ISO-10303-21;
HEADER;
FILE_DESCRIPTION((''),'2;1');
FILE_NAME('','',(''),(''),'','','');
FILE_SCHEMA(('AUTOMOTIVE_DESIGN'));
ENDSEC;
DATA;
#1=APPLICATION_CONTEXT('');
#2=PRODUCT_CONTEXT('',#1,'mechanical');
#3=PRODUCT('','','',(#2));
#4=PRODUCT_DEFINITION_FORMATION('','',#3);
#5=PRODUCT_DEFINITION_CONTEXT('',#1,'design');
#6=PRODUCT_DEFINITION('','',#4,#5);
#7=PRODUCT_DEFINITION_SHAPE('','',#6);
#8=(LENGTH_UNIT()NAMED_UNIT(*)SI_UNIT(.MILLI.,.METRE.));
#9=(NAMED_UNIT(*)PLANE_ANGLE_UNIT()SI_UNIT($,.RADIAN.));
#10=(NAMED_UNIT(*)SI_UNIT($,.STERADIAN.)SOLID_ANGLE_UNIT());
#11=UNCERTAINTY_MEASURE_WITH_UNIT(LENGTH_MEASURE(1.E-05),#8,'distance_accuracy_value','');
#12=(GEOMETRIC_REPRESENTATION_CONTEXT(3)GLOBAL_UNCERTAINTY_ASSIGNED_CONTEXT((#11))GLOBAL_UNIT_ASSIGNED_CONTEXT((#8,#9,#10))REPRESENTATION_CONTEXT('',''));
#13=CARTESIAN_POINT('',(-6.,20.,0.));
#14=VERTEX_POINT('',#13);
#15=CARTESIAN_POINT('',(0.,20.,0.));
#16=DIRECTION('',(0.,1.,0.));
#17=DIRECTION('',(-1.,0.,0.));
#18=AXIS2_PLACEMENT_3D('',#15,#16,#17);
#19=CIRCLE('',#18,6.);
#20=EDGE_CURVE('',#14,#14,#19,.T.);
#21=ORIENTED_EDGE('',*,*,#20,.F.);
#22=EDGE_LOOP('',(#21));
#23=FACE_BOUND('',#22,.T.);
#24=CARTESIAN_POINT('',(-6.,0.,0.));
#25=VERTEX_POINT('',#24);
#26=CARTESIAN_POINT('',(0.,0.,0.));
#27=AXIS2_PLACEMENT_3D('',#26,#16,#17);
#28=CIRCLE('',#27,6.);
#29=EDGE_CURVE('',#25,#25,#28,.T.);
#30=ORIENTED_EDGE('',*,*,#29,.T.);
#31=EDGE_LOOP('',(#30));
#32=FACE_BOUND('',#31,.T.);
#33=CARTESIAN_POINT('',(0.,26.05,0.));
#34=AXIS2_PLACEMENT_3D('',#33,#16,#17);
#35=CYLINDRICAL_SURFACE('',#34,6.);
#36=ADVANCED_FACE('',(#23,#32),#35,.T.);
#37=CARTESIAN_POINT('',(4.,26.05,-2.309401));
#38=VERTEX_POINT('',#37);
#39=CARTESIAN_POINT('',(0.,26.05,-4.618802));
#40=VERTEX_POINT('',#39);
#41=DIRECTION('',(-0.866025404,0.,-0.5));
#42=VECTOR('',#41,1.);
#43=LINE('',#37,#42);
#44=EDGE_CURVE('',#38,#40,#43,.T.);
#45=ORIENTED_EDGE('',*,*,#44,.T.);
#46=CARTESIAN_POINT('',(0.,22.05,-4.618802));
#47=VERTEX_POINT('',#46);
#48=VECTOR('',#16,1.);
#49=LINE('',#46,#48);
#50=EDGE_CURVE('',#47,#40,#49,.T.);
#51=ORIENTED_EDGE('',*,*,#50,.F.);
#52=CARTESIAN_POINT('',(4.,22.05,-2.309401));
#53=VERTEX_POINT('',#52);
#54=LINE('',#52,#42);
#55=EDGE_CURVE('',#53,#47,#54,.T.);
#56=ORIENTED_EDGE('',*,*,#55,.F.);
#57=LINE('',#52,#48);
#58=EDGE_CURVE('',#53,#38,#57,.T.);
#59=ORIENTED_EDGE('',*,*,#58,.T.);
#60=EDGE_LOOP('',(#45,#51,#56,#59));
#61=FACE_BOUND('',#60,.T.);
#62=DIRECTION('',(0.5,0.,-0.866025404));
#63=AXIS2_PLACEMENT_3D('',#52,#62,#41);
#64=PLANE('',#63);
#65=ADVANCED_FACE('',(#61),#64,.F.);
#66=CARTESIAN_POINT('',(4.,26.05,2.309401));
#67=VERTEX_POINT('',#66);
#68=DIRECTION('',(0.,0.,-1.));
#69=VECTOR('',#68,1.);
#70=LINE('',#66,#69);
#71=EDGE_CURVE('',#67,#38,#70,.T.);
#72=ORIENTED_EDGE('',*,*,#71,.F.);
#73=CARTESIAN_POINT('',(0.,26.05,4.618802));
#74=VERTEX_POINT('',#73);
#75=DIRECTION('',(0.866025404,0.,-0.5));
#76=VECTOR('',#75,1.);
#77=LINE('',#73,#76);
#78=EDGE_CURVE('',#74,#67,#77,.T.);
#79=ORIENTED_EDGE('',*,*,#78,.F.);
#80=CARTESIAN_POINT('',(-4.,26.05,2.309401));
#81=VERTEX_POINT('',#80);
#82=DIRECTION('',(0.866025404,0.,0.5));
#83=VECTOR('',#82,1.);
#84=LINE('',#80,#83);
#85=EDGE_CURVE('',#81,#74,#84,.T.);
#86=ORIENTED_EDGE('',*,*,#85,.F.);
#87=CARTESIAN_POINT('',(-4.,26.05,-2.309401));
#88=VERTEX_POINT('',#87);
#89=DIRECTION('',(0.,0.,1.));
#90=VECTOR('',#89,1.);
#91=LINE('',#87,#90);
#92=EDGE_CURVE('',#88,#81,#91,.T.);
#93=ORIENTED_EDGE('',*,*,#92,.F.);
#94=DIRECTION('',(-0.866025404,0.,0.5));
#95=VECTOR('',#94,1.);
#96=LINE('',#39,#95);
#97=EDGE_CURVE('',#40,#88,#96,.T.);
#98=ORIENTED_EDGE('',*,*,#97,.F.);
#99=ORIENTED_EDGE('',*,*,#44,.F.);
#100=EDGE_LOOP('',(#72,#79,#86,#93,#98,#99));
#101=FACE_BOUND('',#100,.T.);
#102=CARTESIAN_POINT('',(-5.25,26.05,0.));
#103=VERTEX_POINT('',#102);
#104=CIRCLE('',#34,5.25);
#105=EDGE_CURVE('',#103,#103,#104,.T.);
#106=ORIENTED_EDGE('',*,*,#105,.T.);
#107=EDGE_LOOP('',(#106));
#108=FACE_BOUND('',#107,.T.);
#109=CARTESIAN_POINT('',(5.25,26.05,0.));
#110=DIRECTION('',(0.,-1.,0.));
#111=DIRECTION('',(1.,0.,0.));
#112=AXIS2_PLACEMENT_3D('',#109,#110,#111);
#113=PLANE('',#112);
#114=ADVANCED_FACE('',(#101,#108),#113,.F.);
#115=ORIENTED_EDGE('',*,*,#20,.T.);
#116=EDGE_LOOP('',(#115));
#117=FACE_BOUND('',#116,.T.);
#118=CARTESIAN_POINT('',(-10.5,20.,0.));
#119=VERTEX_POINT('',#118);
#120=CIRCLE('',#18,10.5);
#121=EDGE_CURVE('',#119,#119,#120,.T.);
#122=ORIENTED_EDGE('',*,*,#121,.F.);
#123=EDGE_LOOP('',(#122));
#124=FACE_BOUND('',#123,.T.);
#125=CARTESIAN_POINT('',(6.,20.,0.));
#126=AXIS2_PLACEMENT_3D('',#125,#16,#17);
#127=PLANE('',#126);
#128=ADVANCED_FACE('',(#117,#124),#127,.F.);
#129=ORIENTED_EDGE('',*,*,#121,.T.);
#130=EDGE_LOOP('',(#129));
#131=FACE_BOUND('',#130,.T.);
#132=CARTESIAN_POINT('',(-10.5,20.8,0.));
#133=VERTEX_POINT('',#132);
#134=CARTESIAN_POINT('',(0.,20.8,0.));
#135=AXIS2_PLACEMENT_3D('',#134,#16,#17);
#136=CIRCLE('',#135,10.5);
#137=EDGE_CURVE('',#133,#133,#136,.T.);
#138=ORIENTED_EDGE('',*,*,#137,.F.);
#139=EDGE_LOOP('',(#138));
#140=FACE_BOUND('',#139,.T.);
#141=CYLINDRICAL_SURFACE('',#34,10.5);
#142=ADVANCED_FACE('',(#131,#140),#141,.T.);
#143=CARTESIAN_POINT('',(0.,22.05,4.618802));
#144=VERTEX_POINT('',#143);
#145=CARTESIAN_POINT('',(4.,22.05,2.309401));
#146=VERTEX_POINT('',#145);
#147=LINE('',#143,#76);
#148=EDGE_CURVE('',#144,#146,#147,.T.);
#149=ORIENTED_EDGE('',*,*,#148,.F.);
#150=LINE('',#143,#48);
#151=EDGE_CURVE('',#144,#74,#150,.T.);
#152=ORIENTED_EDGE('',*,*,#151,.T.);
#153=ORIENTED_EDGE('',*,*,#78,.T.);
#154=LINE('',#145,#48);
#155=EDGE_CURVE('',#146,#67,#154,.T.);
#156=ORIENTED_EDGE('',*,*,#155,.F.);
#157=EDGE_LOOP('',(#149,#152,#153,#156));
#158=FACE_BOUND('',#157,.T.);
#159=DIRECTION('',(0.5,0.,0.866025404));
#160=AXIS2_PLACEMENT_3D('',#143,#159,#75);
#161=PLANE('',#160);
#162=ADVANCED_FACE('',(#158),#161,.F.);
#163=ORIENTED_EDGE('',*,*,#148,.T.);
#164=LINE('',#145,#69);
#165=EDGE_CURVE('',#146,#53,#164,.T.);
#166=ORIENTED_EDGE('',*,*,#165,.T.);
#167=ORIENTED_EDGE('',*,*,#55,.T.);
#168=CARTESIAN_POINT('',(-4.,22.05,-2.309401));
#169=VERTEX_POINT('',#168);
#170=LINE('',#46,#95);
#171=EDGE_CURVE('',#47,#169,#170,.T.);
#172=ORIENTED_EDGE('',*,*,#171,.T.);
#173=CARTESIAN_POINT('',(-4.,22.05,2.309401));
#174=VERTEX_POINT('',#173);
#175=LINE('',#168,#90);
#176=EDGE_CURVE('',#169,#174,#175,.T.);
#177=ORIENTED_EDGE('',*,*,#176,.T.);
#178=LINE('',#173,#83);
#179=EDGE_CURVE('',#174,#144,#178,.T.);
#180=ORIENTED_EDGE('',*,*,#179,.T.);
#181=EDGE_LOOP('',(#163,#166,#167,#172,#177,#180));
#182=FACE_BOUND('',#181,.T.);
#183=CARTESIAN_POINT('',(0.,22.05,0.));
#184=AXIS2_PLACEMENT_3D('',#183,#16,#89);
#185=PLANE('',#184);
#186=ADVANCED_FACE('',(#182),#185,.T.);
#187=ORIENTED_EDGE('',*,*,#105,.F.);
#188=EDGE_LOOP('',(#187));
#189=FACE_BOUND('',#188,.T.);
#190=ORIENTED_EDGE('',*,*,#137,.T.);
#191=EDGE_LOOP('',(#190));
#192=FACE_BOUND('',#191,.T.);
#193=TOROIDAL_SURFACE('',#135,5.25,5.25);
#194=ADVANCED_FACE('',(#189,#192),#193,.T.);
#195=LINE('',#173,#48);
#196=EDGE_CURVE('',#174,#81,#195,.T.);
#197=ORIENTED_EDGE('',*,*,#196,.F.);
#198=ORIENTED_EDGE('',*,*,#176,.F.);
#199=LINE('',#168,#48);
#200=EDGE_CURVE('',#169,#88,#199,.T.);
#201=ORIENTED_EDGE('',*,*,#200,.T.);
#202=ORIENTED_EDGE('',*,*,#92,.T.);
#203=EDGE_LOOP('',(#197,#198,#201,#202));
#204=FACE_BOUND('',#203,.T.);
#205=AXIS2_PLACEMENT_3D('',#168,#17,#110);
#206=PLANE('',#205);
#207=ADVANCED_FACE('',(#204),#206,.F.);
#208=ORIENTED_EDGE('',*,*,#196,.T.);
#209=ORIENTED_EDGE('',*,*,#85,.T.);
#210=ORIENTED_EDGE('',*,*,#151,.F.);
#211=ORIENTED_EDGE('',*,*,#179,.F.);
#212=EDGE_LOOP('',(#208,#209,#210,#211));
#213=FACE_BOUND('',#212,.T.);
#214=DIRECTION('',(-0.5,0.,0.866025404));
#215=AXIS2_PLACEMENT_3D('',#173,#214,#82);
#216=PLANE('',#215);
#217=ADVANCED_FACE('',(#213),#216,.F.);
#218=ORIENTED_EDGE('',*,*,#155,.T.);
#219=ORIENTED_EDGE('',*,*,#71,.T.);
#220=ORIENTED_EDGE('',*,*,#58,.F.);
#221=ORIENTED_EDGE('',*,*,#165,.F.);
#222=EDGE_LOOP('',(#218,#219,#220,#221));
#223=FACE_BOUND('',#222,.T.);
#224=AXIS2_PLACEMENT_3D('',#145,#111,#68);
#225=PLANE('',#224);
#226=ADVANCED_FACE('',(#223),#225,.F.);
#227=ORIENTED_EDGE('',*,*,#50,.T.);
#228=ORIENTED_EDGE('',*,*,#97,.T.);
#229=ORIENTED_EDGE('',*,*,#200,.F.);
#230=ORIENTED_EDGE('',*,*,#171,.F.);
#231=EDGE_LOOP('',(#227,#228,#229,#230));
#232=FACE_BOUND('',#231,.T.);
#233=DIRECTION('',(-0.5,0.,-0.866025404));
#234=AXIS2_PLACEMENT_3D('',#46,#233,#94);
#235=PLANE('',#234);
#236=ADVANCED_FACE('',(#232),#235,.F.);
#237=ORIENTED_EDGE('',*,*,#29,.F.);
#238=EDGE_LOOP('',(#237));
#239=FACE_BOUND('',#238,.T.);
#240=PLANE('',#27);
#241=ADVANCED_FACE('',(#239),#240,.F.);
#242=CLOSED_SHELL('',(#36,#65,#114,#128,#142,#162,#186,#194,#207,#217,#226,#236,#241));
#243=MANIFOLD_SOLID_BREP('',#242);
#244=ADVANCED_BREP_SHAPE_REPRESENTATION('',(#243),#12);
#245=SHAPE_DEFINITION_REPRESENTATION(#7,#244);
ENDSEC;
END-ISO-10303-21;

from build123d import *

# Parameters (mm, degrees)
CORTE_EXTRUS_O1_DEPTH = 4


with BuildPart() as part:
    # Esboço1 → Revolução1 (revolve)
    with BuildSketch(Plane.XY):
        with BuildLine():
            Line((0, 0), (6, 0))
            Line((6, 0), (6, 20))
            Line((6, 20), (10.5, 20))
            Line((10.5, 20), (10.5, 20.8))
            ThreePointArc((10.5, 20.8), (8.962310601, 24.512310601), (5.25, 26.05))
            Line((5.25, 26.05), (0, 26.05))
            Line((0, 26.05), (0, 0))
        make_face()
    revolve(axis=Axis((0, 26.05, 0), (0, -1, 0)))

    # Esboço2 → Corte-extrusão1 (cut)
    with BuildSketch(Plane(origin=(0, 26.05, 0), x_dir=(1, 0, 0), z_dir=(0, 1, 0))):
        Polygon((-4, -2.309401077), (0, -4.618802154), (4, -2.309401077), (4, 2.309401077), (0, 4.618802154), (-4, 2.309401077), align=None)
    extrude(amount=-CORTE_EXTRUS_O1_DEPTH, mode=Mode.SUBTRACT)


solid = part.part
